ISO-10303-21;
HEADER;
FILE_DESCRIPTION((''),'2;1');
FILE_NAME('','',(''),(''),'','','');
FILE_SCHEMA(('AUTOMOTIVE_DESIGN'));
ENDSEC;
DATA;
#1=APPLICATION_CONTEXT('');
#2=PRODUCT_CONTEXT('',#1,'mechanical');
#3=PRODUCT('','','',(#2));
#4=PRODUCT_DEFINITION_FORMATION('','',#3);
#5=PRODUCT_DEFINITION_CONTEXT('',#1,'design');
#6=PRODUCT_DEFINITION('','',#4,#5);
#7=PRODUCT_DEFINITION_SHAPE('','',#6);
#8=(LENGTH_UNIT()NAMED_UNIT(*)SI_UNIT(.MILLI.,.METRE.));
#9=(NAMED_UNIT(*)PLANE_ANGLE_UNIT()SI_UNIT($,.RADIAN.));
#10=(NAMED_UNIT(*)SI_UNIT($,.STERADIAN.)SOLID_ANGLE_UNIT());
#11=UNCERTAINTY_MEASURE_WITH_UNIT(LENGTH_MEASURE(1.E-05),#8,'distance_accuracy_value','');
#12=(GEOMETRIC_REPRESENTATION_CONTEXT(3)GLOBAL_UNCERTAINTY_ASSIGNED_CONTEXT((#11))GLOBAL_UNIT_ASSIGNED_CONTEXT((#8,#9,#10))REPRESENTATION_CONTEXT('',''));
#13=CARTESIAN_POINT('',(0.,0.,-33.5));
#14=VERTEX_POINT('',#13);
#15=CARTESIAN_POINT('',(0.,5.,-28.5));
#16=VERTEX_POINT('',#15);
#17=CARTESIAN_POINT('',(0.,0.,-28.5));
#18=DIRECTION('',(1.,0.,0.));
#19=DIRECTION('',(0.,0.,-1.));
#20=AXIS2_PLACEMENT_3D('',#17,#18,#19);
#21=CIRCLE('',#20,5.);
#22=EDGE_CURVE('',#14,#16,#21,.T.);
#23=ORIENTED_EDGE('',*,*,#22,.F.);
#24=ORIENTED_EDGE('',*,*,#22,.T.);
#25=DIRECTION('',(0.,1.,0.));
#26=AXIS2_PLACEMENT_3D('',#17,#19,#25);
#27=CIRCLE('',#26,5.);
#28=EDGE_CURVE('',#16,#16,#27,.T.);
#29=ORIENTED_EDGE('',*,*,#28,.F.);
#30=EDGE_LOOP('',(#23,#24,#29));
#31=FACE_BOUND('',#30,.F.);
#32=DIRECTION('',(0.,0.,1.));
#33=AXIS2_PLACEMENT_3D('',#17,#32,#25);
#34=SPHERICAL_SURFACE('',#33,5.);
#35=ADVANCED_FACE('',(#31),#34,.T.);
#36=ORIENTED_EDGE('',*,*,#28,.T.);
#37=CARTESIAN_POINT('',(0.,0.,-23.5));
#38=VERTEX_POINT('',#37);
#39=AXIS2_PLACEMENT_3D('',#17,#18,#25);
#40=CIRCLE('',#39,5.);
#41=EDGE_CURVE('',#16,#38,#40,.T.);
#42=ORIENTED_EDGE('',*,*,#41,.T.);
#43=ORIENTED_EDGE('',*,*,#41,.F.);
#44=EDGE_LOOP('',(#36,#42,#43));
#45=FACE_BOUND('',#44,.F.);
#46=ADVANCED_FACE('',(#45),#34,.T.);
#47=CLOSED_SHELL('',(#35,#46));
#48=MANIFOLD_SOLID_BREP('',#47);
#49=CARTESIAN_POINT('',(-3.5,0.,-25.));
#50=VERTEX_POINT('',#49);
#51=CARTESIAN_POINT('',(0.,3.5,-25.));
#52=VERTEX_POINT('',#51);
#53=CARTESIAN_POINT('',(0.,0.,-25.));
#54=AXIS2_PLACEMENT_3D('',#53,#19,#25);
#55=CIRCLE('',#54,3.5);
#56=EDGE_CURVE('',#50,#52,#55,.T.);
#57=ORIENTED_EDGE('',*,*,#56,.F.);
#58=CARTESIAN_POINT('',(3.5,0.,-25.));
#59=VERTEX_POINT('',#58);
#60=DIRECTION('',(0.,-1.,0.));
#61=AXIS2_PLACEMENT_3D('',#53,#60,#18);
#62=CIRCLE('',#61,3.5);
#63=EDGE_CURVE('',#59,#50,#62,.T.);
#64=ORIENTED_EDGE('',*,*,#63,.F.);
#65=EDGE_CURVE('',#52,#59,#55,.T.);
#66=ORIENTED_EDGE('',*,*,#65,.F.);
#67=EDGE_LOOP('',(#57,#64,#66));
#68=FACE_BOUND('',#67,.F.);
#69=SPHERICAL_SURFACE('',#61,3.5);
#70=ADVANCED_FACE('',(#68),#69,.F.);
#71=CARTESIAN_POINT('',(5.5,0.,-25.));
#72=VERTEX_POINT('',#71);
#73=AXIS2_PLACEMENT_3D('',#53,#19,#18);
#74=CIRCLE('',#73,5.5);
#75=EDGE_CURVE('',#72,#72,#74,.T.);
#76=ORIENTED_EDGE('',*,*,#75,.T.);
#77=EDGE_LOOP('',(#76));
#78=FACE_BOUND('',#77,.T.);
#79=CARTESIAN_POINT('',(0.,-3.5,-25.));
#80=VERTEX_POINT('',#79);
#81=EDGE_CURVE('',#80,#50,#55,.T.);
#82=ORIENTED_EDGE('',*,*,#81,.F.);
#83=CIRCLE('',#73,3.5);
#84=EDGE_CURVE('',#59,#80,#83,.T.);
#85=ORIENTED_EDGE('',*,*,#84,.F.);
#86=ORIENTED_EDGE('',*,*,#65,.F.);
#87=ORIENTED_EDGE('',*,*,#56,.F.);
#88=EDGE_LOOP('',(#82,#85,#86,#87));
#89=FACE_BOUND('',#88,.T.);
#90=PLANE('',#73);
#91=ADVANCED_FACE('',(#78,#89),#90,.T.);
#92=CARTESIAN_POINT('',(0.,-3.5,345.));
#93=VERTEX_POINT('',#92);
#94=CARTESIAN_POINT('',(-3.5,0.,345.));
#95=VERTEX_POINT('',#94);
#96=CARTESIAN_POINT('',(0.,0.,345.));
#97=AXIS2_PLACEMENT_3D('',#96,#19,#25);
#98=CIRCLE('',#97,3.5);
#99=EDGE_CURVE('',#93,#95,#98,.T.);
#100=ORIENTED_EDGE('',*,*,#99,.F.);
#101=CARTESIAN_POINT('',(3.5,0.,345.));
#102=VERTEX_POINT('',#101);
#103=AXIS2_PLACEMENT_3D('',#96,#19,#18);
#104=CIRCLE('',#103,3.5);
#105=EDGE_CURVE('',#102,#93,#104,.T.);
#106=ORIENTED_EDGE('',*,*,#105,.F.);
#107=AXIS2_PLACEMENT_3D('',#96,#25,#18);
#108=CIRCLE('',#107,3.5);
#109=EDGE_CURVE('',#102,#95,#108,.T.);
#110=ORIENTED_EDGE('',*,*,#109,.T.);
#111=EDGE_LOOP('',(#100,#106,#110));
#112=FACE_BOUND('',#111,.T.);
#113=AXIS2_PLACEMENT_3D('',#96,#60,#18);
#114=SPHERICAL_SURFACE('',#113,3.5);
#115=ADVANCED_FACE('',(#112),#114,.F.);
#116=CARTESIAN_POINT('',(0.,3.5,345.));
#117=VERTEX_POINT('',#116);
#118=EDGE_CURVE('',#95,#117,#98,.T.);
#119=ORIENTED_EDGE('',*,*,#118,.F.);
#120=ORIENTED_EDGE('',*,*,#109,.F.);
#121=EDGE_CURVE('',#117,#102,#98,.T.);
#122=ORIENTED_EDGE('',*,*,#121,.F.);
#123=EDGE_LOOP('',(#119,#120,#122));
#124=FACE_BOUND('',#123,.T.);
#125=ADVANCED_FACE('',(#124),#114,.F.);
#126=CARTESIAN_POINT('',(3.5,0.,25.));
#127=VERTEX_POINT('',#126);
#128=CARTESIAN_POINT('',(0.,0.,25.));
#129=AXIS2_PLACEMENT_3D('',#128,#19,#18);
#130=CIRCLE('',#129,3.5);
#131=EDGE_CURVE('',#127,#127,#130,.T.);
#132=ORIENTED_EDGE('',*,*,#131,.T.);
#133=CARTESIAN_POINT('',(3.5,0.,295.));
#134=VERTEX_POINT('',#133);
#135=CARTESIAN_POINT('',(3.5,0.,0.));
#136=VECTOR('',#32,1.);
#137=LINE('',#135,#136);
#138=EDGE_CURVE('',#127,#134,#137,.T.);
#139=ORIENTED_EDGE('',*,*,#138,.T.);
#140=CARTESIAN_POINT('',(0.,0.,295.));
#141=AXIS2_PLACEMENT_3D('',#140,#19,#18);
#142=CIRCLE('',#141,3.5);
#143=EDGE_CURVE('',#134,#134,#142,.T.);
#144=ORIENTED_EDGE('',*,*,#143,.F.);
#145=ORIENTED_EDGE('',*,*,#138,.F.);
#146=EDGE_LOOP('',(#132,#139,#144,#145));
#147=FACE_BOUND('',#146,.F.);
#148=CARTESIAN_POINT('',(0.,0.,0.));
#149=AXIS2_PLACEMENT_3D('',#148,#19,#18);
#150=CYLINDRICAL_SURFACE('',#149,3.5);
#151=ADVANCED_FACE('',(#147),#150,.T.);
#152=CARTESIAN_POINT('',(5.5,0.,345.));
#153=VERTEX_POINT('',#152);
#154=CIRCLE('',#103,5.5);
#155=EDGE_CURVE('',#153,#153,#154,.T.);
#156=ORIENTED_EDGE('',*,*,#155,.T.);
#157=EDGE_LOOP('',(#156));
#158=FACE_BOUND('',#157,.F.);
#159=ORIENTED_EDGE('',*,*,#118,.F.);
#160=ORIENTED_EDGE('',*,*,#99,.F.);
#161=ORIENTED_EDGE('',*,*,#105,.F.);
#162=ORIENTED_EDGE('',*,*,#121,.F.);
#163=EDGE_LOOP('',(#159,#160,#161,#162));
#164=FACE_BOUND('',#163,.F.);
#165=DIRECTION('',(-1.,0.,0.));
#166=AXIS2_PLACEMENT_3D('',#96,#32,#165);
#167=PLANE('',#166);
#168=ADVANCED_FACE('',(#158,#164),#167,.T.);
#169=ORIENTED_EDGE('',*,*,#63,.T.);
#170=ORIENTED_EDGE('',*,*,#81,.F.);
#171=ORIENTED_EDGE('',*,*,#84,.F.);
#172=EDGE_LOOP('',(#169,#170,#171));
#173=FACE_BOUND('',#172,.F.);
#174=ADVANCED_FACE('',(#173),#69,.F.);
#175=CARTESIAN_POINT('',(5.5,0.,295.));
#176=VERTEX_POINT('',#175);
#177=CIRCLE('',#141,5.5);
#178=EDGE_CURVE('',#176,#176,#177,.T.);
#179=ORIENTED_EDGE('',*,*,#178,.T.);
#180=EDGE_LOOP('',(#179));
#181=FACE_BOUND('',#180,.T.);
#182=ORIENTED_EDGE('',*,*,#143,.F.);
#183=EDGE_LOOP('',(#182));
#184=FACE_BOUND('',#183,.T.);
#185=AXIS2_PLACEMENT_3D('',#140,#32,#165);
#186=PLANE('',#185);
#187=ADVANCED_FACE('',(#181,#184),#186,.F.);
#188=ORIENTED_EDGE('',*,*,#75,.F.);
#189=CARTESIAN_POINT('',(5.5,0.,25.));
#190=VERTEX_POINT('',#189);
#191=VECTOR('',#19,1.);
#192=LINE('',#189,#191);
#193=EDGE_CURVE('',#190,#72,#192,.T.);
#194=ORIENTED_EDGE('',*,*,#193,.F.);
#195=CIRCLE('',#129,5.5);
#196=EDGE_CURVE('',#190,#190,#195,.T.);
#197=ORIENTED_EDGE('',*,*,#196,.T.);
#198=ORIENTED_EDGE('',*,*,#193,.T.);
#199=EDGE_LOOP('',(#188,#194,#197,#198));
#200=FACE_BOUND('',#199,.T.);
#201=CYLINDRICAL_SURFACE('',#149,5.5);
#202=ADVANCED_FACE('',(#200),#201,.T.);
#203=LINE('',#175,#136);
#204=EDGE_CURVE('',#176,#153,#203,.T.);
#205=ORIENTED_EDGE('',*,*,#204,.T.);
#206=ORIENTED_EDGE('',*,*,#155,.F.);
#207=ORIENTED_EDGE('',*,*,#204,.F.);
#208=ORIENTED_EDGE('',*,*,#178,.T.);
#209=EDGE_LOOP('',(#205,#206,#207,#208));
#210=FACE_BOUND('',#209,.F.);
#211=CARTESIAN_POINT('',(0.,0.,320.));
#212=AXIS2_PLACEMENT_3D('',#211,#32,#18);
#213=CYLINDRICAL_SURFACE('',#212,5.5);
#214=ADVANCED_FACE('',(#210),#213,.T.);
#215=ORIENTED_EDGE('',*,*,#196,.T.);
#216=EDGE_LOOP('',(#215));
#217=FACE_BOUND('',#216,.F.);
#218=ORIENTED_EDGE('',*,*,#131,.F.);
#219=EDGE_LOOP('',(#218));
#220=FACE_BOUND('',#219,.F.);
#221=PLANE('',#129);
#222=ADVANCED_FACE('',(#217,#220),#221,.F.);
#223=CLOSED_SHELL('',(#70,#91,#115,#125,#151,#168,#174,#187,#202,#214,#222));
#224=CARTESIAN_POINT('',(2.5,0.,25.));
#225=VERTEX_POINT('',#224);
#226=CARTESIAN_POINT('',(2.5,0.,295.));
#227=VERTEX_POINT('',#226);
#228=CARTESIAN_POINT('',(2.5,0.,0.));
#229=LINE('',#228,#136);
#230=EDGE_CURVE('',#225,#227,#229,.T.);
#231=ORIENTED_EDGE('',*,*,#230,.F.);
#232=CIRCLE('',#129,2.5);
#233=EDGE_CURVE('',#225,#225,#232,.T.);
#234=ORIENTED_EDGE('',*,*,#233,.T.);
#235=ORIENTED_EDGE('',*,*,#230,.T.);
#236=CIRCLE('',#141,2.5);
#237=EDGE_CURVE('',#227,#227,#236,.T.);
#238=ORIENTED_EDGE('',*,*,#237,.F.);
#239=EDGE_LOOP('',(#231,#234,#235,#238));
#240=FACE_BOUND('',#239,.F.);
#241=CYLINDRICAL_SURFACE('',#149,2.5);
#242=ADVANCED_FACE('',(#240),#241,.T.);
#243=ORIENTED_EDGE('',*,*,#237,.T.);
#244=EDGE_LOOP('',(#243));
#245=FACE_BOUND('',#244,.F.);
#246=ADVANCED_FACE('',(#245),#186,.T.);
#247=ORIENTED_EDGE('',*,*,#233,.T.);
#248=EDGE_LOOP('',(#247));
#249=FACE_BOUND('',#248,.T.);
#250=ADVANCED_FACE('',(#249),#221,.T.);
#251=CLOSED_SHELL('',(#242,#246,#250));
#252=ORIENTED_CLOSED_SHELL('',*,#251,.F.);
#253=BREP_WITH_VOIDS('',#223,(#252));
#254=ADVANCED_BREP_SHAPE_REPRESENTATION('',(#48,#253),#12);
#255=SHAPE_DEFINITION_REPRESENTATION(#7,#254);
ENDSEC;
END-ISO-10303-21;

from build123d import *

# Parameters (mm, degrees)
F0_R          = 3.5
F0_R_2        = 2.5
F1_DEPTH      = 300
F2_R          = 5.5
F3_DEPTH      = 25
F3_DEPTH_BACK = 25


with BuildPart() as f1:
    # F0 (on Top) → F1 (new body)
    with BuildSketch(Plane.XY):
        Circle(F0_R)
        Circle(F0_R_2, mode=Mode.SUBTRACT)
    extrude(amount=F1_DEPTH)

    # F2 (on face) → F3 (join, two sides)
    with BuildSketch(Plane(origin=(0, 0, 0), x_dir=(1, 0, 0), z_dir=(0, 0, -1))) as f3_sk:
        Circle(F2_R)
    extrude(amount=F3_DEPTH)
    extrude(f3_sk.sketch, amount=-F3_DEPTH_BACK)

    # F4 (on face) → F5 (revolve, cut)
    with BuildSketch(Plane(origin=(0, 0, -25), x_dir=(1, 0, 0), z_dir=(0, 0, -1))):
        with BuildLine():
            Line((0, 3.5), (0, -3.5))
            ThreePointArc((0, -3.5), (2.4748737342, -2.4748737342), (3.5, 0))
            ThreePointArc((3.5, 0), (2.4748737342, 2.4748737342), (0, 3.5))
        make_face()
    revolve(axis=Axis((0, 0, -25), (0, -1, 0)), mode=Mode.SUBTRACT)

    # F9: F1 across plane


with BuildPart() as f7:
    # F6 (on Right) → F7 (revolve)
    with BuildSketch(Plane.YZ):
        with BuildLine():
            ThreePointArc((0, -33.5), (3.5355339059, -32.0355339059), (5, -28.5))
            ThreePointArc((5, -28.5), (3.5355339059, -24.9644660941), (0, -23.5))
            Line((0, -23.5), (0, -33.5))
        make_face()
    revolve(axis=Axis((0, 0, -28.5), (0, 0, -1)))


with BuildPart() as f1_1:
    add(f1.part)
    add(f1.part.mirror(Plane.XY.offset(160)))


solid = Compound([f7.part, f1_1.part])
